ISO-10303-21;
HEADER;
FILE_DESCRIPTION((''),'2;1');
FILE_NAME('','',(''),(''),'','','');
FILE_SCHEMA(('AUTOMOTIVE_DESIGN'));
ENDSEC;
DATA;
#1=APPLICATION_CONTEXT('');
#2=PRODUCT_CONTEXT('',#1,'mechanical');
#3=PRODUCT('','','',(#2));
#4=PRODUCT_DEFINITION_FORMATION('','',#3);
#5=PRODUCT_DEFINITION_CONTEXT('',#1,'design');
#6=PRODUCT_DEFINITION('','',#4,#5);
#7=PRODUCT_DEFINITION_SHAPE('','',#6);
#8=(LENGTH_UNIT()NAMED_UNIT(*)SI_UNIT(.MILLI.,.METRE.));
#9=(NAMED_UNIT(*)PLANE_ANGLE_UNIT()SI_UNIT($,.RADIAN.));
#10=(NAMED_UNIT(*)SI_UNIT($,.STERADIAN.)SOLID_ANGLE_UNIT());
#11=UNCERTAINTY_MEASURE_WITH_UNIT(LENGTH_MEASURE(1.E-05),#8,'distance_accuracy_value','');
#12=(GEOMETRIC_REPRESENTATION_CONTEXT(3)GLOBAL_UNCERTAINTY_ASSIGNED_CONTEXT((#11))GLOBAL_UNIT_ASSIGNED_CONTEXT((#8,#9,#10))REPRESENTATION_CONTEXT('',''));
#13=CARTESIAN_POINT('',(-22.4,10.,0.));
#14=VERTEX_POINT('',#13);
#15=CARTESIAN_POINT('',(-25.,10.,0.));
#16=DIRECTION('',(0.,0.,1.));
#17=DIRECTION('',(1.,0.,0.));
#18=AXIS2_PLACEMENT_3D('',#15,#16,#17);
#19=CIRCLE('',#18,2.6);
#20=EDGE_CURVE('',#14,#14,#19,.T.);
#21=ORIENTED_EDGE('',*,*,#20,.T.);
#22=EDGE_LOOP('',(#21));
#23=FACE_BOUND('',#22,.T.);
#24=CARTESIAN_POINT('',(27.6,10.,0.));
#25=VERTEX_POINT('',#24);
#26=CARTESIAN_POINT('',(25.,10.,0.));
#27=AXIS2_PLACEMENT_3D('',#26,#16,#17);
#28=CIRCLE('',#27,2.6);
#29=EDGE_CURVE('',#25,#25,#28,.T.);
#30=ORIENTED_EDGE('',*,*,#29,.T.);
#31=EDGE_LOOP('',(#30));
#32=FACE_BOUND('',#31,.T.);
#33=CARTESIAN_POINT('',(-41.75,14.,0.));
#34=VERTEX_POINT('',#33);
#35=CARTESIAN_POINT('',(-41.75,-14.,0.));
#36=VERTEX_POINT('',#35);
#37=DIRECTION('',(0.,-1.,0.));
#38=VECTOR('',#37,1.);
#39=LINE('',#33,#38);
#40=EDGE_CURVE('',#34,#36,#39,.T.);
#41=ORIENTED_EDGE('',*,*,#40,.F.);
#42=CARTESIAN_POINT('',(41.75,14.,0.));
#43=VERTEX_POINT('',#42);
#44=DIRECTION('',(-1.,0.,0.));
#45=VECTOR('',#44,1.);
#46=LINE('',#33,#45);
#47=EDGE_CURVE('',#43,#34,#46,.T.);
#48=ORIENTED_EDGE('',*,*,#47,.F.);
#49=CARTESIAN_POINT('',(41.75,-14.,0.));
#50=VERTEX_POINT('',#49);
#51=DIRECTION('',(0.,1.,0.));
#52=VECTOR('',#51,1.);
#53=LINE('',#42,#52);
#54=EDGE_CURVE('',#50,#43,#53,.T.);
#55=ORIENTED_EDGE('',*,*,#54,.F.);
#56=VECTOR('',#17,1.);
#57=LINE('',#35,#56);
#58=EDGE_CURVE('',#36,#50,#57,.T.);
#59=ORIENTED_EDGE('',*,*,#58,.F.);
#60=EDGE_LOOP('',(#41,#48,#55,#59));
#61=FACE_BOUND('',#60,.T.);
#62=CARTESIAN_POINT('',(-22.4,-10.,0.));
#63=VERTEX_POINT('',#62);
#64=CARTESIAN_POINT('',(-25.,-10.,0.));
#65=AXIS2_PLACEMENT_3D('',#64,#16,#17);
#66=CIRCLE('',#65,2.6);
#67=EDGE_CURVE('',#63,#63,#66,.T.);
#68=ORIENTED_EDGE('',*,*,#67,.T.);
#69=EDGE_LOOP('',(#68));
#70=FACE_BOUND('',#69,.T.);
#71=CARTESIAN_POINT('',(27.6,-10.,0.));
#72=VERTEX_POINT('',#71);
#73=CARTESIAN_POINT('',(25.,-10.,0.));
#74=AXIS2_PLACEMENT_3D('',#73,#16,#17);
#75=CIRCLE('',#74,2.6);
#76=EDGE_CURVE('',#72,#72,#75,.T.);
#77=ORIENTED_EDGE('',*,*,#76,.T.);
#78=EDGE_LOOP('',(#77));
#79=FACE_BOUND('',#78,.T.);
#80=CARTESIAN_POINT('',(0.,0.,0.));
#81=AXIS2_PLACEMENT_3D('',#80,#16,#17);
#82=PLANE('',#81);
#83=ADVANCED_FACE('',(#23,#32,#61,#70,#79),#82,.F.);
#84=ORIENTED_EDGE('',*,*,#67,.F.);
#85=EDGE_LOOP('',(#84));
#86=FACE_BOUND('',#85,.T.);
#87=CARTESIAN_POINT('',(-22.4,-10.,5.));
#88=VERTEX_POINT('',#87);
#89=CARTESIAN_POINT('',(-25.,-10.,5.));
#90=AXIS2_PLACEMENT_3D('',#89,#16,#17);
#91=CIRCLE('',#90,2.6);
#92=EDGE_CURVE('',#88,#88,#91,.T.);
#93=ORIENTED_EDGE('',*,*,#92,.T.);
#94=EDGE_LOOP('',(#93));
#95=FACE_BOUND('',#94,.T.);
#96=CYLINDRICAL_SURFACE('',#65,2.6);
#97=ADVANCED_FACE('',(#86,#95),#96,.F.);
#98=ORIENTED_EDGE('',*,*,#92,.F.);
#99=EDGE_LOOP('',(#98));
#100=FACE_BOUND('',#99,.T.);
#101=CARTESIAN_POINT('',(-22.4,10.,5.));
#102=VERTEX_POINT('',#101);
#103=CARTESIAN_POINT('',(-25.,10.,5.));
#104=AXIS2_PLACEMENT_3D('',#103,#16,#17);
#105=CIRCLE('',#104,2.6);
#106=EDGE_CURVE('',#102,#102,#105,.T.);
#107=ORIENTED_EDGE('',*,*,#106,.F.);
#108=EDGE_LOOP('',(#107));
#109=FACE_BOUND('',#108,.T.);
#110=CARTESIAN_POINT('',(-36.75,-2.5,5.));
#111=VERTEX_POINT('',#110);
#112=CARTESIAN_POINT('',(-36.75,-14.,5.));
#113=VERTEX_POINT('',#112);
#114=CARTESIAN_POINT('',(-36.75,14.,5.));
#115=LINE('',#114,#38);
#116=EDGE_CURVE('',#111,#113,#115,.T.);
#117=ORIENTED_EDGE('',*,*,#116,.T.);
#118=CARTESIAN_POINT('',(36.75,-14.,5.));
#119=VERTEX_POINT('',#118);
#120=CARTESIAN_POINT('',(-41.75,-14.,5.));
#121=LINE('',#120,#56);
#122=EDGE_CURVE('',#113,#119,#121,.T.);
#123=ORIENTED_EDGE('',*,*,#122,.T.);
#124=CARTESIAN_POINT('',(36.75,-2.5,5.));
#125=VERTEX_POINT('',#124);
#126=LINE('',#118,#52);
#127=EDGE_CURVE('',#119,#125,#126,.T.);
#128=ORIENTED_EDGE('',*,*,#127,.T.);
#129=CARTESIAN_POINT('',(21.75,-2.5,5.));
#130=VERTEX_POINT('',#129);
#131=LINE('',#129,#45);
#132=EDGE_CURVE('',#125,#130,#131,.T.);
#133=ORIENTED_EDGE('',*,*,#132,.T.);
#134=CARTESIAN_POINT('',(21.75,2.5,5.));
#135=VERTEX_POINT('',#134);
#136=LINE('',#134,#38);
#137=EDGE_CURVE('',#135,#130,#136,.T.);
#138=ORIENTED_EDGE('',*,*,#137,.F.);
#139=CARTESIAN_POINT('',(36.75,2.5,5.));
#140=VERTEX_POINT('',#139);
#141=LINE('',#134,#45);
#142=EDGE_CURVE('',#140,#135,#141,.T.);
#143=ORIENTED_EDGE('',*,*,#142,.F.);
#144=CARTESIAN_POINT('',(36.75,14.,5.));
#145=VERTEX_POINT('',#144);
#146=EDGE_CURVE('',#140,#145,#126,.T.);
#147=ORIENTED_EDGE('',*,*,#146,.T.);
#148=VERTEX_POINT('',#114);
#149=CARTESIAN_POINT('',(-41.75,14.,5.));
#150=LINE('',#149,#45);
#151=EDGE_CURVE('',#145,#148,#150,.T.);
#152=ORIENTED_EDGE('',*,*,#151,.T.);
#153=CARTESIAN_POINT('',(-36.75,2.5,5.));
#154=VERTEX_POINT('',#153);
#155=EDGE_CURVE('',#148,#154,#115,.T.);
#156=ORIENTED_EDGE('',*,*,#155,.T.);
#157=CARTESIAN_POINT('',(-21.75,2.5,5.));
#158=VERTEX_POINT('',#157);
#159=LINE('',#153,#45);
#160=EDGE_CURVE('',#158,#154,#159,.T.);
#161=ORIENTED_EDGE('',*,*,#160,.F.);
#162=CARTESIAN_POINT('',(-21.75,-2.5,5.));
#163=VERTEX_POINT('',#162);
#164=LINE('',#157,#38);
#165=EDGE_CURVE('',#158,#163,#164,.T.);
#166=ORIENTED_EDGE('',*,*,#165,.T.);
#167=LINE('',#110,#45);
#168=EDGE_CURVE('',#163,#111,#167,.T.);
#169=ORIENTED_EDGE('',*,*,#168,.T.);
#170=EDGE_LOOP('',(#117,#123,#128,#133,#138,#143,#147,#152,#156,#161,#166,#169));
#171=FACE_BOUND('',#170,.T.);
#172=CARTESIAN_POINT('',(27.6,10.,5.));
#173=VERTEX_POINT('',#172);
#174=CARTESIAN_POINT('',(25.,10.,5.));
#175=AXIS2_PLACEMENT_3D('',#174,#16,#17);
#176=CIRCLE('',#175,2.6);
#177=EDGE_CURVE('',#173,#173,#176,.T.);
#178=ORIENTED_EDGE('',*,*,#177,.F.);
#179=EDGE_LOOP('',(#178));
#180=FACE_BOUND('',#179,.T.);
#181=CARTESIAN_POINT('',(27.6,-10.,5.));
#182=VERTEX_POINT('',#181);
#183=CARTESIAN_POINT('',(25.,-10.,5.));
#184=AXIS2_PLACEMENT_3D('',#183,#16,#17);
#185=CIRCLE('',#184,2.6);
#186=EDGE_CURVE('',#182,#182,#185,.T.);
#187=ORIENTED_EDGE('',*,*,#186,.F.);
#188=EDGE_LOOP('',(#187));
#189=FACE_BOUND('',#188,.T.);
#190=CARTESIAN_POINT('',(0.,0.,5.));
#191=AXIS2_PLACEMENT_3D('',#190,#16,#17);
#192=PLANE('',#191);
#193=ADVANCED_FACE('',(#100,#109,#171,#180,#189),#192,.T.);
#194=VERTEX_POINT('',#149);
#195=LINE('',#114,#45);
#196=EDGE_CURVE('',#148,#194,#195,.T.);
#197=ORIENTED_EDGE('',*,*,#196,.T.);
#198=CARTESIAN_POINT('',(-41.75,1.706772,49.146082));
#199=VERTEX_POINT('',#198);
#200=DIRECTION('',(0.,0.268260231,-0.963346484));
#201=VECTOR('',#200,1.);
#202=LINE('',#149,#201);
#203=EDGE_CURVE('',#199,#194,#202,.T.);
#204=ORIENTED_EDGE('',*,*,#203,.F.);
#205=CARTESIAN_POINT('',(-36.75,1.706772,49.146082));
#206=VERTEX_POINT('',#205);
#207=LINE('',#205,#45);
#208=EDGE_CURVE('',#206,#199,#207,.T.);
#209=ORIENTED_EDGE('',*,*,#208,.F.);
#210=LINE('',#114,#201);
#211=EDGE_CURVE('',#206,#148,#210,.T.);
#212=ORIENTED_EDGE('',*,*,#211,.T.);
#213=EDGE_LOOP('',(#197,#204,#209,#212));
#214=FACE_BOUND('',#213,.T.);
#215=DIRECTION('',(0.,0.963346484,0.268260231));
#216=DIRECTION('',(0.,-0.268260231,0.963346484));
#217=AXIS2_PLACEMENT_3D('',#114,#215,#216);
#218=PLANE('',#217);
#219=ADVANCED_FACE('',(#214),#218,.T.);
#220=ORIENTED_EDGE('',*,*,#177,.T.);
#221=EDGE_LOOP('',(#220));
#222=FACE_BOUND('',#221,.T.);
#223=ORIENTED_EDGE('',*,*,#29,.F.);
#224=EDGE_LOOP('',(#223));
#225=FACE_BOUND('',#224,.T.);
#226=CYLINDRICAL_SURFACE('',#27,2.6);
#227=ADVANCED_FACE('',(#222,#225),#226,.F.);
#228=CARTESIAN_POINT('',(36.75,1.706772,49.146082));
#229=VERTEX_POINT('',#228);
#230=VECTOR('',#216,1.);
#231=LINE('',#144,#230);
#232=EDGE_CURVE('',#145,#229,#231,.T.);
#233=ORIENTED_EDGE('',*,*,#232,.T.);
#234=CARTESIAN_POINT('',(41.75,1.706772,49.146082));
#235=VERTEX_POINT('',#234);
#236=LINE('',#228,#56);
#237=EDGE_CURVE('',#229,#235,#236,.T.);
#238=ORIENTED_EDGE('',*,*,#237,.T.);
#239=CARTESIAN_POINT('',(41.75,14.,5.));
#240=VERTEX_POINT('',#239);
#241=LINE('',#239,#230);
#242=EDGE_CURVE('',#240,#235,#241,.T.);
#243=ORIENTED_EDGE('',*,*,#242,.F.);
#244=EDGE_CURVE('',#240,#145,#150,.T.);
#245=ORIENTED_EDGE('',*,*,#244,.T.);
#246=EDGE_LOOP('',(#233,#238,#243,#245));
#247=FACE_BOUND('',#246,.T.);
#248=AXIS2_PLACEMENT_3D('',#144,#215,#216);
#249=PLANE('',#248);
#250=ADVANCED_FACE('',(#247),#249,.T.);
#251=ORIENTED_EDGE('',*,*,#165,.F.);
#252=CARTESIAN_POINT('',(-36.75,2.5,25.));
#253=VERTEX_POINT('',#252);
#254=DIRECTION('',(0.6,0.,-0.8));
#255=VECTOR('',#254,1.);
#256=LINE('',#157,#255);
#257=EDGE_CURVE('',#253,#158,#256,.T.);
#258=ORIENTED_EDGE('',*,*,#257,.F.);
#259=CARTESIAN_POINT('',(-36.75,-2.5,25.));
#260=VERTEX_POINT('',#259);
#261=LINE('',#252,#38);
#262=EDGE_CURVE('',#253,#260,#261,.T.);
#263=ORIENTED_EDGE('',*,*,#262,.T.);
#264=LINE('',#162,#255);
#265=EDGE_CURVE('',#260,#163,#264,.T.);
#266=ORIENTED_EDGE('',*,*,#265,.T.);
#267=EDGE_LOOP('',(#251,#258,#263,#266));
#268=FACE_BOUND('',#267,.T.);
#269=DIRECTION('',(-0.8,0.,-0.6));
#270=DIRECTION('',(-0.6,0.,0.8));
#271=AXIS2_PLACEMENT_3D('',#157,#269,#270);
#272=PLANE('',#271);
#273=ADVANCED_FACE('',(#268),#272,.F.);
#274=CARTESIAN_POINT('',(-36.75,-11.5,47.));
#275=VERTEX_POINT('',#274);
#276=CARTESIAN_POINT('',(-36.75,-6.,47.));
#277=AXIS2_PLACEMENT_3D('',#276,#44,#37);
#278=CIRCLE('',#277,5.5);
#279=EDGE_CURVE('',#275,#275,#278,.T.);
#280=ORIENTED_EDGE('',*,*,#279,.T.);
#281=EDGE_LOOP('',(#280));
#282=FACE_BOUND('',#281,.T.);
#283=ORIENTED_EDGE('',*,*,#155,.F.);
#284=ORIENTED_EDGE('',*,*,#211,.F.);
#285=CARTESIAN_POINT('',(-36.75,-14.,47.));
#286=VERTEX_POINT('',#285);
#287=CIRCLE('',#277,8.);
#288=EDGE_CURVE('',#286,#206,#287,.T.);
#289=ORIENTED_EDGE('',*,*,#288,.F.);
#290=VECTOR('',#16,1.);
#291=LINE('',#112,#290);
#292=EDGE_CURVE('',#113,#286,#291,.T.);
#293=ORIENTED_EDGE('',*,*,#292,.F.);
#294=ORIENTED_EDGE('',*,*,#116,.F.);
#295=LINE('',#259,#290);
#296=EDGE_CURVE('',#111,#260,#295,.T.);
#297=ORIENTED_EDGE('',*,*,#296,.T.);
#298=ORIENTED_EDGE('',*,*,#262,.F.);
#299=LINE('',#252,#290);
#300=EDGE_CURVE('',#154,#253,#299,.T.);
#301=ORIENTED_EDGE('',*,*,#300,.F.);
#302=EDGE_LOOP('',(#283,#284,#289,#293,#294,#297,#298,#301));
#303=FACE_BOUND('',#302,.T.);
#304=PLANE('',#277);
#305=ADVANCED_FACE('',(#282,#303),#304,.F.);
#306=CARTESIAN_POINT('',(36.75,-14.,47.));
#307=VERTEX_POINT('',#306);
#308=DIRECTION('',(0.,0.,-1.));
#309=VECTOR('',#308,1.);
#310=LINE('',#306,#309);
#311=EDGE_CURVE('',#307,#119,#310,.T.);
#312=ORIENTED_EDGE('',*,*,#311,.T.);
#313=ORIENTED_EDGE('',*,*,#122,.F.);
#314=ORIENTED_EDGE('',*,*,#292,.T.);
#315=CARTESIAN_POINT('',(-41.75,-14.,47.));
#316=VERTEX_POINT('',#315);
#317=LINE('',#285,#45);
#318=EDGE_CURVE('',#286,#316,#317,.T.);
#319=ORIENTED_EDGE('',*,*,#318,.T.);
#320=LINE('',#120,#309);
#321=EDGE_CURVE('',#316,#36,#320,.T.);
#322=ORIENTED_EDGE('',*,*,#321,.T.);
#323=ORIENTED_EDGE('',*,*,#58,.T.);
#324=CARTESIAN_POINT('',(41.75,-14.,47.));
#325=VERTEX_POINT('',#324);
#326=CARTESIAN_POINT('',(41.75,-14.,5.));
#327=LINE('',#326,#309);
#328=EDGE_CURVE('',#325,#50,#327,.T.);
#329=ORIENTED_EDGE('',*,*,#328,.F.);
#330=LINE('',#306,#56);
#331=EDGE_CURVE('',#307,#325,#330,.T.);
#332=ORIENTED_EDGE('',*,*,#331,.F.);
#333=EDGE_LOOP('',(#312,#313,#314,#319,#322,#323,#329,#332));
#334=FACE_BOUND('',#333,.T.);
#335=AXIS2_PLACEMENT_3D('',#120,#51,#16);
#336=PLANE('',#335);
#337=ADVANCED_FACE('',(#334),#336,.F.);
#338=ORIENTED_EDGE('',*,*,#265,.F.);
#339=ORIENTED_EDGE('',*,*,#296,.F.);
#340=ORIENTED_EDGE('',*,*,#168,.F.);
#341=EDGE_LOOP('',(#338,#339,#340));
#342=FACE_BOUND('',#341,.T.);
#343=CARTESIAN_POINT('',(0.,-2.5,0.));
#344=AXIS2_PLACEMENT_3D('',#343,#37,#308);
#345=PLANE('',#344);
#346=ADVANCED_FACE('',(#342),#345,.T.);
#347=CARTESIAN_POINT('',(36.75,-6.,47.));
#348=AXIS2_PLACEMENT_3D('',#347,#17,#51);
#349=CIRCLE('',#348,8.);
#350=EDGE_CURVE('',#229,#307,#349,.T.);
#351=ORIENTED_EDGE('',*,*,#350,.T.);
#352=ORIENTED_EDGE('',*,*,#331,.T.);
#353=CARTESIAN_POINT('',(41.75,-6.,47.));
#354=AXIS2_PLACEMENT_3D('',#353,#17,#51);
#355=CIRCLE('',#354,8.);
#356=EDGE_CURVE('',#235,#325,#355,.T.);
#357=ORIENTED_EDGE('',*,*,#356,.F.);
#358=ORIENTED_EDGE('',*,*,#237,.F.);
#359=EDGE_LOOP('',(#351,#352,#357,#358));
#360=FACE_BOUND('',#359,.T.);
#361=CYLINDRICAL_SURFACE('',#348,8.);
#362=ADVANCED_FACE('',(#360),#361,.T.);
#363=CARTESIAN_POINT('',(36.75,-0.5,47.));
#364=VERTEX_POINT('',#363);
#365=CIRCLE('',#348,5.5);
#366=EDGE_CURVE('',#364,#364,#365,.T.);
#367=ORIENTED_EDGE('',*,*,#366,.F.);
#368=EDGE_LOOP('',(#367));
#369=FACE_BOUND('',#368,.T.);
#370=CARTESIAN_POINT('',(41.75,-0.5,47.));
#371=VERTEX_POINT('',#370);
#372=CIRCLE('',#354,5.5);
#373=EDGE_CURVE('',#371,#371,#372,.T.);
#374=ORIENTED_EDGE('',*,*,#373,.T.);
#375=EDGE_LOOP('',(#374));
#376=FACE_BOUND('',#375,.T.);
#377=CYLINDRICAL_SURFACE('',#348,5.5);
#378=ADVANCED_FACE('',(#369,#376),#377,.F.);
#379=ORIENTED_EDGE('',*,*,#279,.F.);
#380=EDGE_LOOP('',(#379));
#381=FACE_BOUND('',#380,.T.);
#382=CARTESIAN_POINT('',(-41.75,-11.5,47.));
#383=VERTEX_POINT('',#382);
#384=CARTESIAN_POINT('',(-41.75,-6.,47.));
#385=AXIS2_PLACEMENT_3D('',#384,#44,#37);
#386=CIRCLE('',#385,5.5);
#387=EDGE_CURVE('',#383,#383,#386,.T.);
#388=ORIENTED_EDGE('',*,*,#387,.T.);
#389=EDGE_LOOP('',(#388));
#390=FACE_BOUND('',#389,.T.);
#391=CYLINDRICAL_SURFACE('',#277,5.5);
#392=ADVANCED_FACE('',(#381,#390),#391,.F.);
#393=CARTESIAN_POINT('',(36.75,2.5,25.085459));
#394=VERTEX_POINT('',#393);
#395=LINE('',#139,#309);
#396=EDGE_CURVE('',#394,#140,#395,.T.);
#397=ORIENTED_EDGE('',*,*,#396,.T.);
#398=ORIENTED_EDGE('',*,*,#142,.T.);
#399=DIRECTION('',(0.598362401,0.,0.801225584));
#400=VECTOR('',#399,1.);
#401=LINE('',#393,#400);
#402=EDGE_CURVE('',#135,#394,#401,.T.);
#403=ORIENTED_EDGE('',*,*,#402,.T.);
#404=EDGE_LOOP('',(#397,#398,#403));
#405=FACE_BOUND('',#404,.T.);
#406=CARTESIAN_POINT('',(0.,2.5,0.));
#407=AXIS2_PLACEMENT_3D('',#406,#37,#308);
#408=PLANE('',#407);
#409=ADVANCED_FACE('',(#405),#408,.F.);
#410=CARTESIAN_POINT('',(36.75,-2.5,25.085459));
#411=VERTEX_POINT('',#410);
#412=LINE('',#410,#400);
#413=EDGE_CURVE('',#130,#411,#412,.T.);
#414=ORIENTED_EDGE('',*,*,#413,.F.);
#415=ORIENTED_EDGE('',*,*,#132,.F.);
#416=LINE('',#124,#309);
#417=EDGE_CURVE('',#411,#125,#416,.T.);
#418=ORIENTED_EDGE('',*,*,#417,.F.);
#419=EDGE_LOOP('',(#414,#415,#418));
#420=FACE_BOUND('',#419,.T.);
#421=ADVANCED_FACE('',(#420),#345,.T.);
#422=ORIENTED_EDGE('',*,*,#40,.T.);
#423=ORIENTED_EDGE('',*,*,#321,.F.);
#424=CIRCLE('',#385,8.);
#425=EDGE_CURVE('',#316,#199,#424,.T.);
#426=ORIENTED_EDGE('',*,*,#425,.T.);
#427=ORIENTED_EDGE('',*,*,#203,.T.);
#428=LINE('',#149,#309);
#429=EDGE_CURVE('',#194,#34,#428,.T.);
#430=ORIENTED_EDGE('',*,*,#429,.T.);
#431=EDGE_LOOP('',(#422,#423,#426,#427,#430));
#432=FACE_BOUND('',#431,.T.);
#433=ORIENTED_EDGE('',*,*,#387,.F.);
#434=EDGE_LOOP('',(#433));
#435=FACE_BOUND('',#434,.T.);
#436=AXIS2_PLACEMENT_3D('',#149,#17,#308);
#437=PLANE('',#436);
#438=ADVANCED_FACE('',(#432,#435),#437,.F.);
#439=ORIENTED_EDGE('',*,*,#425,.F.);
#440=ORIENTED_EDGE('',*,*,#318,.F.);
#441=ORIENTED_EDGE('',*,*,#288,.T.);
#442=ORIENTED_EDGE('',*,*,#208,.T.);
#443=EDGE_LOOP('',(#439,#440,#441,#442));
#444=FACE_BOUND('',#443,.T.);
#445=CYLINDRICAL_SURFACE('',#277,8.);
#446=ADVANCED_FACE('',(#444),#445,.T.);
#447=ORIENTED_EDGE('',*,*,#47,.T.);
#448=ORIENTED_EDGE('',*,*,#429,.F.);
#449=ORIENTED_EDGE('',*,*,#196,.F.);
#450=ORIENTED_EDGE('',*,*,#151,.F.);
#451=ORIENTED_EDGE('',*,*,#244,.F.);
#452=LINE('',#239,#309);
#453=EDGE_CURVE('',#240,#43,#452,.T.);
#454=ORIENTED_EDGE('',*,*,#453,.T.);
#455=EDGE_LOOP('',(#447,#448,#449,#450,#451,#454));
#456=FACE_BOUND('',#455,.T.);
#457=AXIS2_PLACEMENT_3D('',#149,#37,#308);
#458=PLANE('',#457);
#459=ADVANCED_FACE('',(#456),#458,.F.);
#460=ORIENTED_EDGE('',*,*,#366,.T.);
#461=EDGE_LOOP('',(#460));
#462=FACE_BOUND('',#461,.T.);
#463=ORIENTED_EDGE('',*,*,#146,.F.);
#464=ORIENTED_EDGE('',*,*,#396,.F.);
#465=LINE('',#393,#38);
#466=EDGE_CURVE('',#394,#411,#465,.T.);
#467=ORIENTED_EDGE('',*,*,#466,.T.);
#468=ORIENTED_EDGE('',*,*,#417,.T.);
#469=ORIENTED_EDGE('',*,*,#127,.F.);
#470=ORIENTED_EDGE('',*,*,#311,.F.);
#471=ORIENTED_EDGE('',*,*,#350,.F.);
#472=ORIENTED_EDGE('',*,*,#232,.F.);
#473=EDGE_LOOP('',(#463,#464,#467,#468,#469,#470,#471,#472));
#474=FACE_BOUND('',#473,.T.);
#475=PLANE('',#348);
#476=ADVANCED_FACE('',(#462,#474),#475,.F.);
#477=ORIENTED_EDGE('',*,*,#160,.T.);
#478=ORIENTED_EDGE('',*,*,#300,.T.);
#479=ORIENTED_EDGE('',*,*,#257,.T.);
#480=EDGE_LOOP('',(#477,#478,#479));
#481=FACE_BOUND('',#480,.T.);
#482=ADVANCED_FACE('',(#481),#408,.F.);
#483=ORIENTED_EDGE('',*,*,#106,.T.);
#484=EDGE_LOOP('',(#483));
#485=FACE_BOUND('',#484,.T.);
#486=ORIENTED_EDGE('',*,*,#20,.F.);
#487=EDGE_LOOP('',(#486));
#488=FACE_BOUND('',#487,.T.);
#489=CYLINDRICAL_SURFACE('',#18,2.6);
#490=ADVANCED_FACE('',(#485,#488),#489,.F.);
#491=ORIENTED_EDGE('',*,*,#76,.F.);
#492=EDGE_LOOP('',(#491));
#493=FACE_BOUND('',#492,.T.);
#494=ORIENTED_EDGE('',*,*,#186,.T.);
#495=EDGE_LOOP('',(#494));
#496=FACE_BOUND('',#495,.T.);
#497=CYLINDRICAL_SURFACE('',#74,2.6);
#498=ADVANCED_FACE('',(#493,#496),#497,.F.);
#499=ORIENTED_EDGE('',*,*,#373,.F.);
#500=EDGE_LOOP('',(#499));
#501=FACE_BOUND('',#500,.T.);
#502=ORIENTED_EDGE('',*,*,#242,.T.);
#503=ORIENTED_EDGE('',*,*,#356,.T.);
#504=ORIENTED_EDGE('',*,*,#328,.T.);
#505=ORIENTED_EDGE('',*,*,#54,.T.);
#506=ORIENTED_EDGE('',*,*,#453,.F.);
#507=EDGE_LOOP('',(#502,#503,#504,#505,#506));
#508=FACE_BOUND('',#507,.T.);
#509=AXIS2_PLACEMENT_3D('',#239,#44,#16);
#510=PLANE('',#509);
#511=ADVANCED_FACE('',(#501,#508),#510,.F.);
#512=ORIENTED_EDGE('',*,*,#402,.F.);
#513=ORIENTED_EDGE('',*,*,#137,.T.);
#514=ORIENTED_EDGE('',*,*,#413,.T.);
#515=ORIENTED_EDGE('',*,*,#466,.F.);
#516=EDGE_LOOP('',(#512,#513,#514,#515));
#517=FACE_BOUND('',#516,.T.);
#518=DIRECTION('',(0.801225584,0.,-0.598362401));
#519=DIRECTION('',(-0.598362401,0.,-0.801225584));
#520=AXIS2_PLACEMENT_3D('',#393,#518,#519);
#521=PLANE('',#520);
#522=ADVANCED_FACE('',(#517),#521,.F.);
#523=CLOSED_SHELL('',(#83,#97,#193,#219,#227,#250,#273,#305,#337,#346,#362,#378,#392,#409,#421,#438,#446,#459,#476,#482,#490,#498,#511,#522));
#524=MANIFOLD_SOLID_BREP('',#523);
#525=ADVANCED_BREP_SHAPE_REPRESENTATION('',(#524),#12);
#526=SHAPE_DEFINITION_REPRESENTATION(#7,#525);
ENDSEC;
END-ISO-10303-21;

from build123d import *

# Parameters (mm, degrees)
SKETCH_1_W          = 83.5
SKETCH_1_H          = 28
EXTRUDE_1_DEPTH     = 5
SKETCH_2_R          = 5.5
EXTRUDE_2_DEPTH     = 5
EXTRUDE_START       = -5
SKETCH_3_R          = 5.5
EXTRUDE_3_DEPTH     = 5
SKETCH_4_R          = 2.6
CUT_EXTRUDE_2_DEPTH = 5
EXTRUDE_4_DEPTH     = 2.5


with BuildPart() as part:
    # 草图1 → 凸台-拉伸1 (new body)
    with BuildSketch(Plane.XY):
        Rectangle(SKETCH_1_W, SKETCH_1_H)
    extrude(amount=EXTRUDE_1_DEPTH)

    # 草图2 → 凸台-拉伸2 (add)
    with BuildSketch(Plane.ZY.offset(41.75)):
        with BuildLine():
            Line((5, 14), (5, -14))
            Line((5, -14), (47, -14))
            ThreePointArc((47, -14), (54.926353985, -7.083010852), (49.146081845, 1.706771874))
            Line((49.146081845, 1.706771874), (5, 14))
        make_face()
        with Locations(Location((47, -6, 0), (0, 0, 270))):
            Circle(SKETCH_2_R, mode=Mode.SUBTRACT)
    extrude(amount=-EXTRUDE_2_DEPTH)

    # 草图3 → 凸台-拉伸3 (add)
    with BuildSketch(Plane(origin=(41.75, 0, 0), x_dir=(0, 0, -1), z_dir=(1, 0, 0)).offset(EXTRUDE_START)):
        with BuildLine():
            Line((-5, 14), (-49.146081845, 1.706771874))
            ThreePointArc((-49.146081845, 1.706771874), (-54.926353985, -7.083010852), (-47, -14))
            Line((-47, -14), (-5, -14))
            Line((-5, -14), (-5, 14))
        make_face()
        with Locations(Location((-47, -6, 0), (0, 0, 270))):
            Circle(SKETCH_3_R, mode=Mode.SUBTRACT)
    extrude(amount=EXTRUDE_3_DEPTH)

    # 草图4 → 切除-拉伸2 (cut)
    with BuildSketch(Plane.XY.offset(5)):
        with Locations((-25, 10)):
            Circle(SKETCH_4_R)
        with Locations((25, 10)):
            Circle(SKETCH_4_R)
        with Locations((25, -10)):
            Circle(SKETCH_4_R)
        with Locations((-25, -10)):
            Circle(SKETCH_4_R)
    extrude(amount=-CUT_EXTRUDE_2_DEPTH, mode=Mode.SUBTRACT)

    # 草图5 → 凸台-拉伸4 (add, symmetric)
    with BuildSketch(Plane(origin=(0, 0, 0), x_dir=(1, 0, 0), z_dir=(0, 1, 0))):
        Polygon((-36.75, -5), (-21.75, -5), (-36.75, -25), align=None)
        Polygon((36.75, -5), (36.75, -25.085459481), (21.75, -5), align=None)
    extrude(amount=EXTRUDE_4_DEPTH, both=True)


solid = part.part
